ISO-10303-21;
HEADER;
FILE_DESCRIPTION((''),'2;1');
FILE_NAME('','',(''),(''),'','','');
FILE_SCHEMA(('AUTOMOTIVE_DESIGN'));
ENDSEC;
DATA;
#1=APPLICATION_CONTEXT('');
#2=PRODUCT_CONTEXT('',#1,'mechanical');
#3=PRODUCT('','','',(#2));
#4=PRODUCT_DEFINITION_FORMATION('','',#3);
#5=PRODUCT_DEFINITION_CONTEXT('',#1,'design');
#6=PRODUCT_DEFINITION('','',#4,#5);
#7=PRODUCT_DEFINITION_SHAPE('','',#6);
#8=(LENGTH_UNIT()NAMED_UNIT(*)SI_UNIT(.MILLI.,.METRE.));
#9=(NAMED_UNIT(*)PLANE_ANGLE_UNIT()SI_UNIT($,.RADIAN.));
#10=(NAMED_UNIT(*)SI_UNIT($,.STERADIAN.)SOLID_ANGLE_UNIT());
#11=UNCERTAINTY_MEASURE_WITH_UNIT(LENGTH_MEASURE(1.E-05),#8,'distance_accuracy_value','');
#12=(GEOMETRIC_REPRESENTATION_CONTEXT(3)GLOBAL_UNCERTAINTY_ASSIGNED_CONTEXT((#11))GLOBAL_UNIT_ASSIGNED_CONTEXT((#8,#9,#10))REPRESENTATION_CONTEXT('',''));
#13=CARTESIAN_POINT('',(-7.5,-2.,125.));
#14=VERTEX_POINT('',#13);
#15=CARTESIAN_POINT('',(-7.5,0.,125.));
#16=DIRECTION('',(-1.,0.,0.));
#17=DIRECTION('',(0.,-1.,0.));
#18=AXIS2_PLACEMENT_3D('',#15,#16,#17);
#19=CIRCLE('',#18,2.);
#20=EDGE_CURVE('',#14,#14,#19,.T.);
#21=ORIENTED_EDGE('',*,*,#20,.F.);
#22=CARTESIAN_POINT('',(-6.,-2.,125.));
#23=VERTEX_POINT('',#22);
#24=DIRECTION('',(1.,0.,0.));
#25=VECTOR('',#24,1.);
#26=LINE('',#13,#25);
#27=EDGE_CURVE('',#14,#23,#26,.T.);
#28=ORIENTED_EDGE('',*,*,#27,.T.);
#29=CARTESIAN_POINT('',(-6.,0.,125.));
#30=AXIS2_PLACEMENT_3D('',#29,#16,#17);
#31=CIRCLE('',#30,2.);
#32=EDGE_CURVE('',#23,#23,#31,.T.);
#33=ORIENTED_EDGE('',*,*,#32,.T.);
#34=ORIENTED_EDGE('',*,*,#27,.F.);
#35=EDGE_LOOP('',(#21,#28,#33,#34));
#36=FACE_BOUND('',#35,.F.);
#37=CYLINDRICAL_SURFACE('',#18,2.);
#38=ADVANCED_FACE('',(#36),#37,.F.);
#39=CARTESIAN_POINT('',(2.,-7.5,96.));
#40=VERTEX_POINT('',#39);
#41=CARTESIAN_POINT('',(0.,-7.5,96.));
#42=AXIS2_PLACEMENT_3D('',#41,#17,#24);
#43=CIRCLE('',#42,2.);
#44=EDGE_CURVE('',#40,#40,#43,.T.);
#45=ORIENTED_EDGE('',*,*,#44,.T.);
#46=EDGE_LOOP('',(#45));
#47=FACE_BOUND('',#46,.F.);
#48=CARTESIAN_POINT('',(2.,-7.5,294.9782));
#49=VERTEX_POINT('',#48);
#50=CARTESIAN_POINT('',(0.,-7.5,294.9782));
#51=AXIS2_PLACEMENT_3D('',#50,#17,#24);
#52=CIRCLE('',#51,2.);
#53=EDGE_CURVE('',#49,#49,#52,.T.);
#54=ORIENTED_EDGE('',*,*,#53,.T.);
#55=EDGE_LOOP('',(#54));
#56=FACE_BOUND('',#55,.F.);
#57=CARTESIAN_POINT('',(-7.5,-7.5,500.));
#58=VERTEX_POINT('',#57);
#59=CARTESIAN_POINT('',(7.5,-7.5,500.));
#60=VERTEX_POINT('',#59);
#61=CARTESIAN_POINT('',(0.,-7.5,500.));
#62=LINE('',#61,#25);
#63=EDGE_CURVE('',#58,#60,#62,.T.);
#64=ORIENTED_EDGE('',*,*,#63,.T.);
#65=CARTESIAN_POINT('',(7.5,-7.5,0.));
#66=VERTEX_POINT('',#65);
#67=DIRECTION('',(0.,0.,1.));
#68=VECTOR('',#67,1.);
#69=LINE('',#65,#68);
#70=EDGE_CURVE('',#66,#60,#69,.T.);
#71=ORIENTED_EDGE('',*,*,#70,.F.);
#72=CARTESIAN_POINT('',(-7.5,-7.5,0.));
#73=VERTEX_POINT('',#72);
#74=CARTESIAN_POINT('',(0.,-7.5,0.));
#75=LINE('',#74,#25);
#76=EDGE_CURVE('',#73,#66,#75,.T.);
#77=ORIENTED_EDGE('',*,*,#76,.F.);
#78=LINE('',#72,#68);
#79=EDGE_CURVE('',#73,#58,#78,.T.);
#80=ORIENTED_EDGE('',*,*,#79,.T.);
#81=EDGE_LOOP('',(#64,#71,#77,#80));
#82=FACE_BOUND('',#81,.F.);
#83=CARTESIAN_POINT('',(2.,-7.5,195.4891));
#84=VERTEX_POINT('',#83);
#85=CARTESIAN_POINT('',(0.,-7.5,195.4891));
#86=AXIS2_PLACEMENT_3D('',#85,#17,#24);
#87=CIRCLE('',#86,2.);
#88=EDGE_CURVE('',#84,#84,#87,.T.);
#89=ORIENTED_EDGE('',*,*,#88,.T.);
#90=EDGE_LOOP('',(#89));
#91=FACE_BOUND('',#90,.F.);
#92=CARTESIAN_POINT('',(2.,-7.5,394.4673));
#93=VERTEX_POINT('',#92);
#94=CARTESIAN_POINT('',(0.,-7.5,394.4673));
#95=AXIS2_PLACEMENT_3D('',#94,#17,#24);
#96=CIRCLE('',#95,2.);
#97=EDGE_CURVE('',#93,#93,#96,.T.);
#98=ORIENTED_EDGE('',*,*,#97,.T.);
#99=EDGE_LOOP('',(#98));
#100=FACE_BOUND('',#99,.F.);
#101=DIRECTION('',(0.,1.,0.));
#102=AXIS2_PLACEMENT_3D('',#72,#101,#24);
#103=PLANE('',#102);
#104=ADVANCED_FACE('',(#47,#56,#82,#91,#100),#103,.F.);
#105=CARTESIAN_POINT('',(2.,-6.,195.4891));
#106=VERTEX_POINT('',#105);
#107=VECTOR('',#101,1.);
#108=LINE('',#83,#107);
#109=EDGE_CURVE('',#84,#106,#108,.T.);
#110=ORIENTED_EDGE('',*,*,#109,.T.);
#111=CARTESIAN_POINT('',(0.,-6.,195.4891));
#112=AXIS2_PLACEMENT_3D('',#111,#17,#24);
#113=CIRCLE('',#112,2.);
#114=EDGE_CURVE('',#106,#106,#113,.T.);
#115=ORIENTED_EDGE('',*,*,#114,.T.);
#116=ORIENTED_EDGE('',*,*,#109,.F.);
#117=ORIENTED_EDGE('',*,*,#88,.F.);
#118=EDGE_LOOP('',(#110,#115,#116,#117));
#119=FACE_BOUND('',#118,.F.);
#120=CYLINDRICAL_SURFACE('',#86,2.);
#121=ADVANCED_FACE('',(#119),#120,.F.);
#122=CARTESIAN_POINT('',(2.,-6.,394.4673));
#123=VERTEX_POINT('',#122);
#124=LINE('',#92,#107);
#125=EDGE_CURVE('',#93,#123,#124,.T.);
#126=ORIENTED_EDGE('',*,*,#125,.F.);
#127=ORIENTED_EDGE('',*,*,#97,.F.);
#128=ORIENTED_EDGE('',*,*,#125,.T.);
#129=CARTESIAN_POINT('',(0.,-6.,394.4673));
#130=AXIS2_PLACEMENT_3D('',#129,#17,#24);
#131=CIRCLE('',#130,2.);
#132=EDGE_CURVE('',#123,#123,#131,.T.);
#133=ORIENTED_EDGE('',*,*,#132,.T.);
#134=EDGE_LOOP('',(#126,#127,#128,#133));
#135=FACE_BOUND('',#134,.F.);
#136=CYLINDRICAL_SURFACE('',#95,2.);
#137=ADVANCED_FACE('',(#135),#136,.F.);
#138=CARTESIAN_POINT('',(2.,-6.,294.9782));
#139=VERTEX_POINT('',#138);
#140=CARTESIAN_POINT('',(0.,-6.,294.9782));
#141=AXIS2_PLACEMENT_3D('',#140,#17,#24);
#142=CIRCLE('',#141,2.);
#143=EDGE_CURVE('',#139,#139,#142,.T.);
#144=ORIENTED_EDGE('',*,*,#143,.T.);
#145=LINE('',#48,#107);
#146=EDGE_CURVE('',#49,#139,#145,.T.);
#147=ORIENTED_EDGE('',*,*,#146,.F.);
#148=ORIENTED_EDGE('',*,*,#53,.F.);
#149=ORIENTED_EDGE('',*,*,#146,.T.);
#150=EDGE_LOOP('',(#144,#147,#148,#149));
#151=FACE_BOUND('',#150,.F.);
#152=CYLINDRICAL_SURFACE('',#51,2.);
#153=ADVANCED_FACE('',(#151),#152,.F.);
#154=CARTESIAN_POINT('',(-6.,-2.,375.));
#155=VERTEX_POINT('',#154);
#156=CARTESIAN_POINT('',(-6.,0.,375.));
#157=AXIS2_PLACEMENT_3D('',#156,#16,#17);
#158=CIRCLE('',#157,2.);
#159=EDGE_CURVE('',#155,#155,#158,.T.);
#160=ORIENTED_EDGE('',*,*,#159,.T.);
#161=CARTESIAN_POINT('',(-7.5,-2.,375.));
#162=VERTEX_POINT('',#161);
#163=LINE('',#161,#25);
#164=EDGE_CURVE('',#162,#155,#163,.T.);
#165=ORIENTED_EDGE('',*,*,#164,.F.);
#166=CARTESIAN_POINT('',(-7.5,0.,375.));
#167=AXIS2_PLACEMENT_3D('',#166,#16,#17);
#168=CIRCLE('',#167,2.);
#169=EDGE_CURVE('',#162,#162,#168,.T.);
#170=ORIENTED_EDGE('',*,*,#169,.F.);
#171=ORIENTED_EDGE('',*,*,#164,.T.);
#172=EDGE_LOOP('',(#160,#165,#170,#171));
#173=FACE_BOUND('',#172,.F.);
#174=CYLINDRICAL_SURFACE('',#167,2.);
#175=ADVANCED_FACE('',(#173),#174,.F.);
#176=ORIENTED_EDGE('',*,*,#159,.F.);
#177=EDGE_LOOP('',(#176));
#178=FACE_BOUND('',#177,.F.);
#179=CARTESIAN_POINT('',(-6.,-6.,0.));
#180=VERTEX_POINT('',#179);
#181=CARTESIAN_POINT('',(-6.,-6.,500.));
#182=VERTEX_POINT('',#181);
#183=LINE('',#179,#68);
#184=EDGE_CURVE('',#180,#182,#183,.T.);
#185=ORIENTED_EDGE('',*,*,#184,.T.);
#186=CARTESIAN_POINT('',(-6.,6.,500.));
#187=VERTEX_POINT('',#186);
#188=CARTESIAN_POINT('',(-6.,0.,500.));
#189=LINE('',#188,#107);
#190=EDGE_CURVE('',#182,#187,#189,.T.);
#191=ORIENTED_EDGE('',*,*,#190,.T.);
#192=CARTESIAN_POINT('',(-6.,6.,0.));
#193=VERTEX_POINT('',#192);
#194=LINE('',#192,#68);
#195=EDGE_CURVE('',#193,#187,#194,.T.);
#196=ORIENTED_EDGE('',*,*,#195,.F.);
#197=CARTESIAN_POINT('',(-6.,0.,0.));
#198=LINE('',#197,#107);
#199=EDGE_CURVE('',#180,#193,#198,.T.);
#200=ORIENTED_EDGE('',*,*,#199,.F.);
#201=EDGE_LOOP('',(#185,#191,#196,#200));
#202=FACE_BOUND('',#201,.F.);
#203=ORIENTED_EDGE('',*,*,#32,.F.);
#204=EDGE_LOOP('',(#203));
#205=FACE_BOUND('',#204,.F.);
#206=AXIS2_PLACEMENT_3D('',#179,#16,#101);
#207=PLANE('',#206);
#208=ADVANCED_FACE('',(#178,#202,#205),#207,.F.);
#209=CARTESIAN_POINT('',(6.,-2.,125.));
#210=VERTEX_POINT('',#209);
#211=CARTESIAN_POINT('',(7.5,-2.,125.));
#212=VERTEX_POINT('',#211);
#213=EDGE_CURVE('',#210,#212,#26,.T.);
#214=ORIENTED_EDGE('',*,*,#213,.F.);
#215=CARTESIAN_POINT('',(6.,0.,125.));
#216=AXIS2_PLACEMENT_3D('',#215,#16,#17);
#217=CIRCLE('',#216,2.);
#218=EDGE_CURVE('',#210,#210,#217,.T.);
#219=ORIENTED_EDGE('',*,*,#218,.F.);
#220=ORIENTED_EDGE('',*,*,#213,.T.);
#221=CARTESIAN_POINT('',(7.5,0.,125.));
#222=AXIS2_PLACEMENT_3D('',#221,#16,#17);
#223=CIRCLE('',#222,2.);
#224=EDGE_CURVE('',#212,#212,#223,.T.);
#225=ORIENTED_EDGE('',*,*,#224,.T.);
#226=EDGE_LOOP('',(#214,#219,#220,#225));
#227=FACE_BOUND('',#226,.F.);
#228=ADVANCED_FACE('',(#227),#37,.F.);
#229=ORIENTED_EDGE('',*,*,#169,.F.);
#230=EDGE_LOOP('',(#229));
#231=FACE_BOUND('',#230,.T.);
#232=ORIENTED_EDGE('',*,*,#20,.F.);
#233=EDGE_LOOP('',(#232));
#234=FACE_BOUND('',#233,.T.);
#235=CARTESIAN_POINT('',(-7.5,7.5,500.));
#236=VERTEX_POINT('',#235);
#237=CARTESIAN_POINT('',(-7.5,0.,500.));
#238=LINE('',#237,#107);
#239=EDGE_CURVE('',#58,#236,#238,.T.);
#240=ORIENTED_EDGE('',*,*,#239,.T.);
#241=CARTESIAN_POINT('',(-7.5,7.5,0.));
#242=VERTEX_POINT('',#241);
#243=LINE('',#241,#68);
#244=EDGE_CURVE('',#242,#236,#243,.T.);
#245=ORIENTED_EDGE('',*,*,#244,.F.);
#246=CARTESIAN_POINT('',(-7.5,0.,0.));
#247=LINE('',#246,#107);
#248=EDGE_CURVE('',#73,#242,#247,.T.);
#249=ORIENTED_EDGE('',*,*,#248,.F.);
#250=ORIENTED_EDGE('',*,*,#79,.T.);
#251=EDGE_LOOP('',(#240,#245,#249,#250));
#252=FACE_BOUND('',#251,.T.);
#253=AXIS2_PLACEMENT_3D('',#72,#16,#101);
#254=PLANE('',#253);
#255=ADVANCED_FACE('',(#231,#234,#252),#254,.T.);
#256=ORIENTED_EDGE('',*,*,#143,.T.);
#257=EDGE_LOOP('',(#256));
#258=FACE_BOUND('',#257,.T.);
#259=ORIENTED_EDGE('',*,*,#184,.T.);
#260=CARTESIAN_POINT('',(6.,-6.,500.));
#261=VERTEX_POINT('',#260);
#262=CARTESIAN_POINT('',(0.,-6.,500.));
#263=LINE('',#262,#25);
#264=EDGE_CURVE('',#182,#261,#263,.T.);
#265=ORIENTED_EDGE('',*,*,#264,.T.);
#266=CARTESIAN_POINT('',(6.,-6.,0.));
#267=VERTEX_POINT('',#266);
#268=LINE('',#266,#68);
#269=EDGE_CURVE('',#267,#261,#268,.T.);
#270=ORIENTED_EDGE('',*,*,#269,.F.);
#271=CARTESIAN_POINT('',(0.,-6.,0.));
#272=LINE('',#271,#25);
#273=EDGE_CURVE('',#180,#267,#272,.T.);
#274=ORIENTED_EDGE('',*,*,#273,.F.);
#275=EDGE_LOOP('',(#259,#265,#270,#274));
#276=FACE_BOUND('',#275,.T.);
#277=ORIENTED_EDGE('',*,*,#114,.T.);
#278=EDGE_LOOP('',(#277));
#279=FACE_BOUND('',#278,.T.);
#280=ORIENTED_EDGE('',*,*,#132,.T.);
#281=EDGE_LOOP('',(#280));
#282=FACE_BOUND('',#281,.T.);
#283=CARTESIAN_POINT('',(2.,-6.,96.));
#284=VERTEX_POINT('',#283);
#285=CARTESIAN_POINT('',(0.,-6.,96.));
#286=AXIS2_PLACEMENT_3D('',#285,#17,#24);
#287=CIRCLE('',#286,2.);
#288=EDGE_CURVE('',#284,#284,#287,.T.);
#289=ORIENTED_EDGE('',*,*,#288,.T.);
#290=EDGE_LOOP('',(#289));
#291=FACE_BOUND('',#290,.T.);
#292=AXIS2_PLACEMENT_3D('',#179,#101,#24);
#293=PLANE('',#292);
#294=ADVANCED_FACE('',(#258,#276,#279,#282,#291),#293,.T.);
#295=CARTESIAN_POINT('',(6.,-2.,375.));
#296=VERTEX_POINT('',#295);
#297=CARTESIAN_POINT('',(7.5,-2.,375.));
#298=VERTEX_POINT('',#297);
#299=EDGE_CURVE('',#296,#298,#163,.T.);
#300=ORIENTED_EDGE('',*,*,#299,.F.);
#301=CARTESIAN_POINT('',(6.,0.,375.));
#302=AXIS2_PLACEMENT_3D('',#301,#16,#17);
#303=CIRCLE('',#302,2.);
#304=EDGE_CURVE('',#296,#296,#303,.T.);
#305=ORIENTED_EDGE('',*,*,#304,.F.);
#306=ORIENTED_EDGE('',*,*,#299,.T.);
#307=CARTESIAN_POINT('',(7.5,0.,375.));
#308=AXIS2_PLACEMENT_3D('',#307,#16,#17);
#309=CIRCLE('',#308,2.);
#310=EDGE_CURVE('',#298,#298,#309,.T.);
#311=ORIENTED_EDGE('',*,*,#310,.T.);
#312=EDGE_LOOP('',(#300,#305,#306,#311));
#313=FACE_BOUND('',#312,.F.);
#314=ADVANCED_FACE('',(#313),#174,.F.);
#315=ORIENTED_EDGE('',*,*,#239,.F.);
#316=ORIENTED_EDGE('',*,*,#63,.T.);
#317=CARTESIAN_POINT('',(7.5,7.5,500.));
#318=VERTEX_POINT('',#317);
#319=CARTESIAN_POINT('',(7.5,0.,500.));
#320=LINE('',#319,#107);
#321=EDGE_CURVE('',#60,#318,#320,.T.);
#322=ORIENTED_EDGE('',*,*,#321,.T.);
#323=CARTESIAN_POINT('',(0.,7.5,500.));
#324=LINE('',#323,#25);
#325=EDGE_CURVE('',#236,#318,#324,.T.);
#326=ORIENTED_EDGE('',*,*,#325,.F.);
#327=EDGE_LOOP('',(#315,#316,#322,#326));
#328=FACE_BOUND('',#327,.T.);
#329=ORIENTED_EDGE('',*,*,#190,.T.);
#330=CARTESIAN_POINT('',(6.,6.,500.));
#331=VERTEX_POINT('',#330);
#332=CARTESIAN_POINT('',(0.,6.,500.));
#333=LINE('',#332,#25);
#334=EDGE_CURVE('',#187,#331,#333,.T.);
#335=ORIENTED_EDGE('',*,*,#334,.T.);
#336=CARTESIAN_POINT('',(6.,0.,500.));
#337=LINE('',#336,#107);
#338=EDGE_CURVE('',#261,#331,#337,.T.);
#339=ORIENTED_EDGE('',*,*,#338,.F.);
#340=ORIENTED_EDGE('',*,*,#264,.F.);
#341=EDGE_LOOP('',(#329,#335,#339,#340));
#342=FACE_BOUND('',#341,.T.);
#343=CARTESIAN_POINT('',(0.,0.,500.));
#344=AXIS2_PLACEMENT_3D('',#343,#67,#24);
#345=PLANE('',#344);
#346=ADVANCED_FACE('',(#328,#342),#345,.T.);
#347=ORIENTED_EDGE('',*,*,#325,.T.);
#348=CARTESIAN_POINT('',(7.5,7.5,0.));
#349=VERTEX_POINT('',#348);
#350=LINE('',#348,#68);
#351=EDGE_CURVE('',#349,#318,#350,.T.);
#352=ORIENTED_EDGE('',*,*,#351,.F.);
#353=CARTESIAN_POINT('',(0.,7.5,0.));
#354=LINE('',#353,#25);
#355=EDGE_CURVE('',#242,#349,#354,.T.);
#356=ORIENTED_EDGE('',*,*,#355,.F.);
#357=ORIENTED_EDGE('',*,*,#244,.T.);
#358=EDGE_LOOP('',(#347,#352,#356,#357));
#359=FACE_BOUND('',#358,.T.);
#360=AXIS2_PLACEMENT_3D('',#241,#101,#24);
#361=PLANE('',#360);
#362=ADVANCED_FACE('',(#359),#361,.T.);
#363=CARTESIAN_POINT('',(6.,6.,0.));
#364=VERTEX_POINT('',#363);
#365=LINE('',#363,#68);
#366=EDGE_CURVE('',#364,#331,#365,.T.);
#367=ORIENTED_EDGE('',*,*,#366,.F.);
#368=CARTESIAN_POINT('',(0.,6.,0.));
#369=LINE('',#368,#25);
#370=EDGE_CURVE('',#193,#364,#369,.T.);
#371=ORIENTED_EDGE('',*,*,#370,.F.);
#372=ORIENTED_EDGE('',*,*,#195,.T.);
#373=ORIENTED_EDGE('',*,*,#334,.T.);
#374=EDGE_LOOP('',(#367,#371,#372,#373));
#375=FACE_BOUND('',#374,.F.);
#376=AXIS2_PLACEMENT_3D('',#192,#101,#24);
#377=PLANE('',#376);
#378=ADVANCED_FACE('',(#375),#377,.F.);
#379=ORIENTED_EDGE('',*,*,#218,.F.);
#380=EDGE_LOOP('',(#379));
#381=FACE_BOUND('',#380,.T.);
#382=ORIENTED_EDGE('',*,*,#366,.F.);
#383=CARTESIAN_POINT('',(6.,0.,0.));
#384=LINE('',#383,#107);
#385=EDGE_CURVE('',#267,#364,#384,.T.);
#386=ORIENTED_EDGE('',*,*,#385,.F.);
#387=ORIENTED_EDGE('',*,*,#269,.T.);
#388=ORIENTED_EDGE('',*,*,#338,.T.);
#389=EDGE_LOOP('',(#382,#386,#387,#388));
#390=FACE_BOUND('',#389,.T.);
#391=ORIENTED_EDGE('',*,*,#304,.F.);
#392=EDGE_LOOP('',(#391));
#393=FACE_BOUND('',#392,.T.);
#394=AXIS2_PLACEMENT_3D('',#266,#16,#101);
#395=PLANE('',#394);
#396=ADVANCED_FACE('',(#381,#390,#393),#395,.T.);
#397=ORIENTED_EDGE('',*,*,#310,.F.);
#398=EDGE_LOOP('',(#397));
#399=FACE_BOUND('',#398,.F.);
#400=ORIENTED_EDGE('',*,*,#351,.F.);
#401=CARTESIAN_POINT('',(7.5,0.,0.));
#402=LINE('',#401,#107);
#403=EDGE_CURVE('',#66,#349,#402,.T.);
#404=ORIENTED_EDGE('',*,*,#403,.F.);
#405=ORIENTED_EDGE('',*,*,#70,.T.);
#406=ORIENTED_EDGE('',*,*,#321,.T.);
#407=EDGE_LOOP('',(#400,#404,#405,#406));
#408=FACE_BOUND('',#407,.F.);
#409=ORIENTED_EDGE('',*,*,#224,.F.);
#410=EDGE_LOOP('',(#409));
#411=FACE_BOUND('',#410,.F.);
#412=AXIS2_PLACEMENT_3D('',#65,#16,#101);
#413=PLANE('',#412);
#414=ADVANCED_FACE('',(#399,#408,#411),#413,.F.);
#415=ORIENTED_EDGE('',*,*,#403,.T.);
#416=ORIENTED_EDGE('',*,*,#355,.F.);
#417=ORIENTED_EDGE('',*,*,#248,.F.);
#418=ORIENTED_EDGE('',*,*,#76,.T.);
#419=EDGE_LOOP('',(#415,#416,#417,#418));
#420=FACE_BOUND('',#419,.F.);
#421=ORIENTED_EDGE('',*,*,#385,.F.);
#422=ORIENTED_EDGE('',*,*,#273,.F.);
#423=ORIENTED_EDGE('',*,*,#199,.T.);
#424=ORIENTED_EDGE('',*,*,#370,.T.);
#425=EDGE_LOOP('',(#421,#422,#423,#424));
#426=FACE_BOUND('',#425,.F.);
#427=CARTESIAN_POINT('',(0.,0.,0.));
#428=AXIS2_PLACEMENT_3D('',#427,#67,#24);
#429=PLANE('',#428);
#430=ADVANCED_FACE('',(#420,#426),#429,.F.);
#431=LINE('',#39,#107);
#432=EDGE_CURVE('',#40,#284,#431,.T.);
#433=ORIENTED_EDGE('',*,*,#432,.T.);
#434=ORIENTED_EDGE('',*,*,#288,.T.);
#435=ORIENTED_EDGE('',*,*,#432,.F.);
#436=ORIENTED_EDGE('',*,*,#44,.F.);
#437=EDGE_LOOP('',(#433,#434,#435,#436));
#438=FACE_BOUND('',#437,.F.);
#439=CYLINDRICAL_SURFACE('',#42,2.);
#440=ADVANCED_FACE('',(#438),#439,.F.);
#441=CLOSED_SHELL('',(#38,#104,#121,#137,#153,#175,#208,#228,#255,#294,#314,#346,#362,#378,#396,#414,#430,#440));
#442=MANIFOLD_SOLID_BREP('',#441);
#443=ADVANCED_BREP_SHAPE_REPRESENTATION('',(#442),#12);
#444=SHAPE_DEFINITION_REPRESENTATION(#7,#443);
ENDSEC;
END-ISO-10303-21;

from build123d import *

# Parameters (mm, degrees)
SKETCH_W        = 15
SKETCH_H        = 15
SKETCH_W_2      = 12
SKETCH_H_2      = 12
PAD_DEPTH       = 500
SKETCH001_R     = 2
POCKET_DEPTH    = 5
SKETCH002_R     = 2
POCKET001_DEPTH = 30


with BuildPart() as part:
    # Sketch → Pad (new body)
    with BuildSketch(Plane.XY):
        Rectangle(SKETCH_W, SKETCH_H)
        Rectangle(SKETCH_W_2, SKETCH_H_2, mode=Mode.SUBTRACT)
    extrude(amount=PAD_DEPTH)

    # Sketch001 → Pocket (cut)
    with BuildSketch(Plane.XZ.offset(7.5)):
        with Locations((0, 195.4891)):
            Circle(SKETCH001_R)
        with Locations((0, 96)):
            Circle(SKETCH001_R)
        with Locations((0, 294.9782)):
            Circle(SKETCH001_R)
        with Locations((0, 394.4673)):
            Circle(SKETCH001_R)
    extrude(amount=-POCKET_DEPTH, mode=Mode.SUBTRACT)

    # Sketch002 → Pocket001 (cut)
    with BuildSketch(Plane(origin=(-7.5, 0, 0), x_dir=(0, -1, 0), z_dir=(-1, 0, 0))):
        with Locations((0, 375)):
            Circle(SKETCH002_R)
        with Locations((0, 125)):
            Circle(SKETCH002_R)
    extrude(amount=-POCKET001_DEPTH, mode=Mode.SUBTRACT)


solid = part.part
